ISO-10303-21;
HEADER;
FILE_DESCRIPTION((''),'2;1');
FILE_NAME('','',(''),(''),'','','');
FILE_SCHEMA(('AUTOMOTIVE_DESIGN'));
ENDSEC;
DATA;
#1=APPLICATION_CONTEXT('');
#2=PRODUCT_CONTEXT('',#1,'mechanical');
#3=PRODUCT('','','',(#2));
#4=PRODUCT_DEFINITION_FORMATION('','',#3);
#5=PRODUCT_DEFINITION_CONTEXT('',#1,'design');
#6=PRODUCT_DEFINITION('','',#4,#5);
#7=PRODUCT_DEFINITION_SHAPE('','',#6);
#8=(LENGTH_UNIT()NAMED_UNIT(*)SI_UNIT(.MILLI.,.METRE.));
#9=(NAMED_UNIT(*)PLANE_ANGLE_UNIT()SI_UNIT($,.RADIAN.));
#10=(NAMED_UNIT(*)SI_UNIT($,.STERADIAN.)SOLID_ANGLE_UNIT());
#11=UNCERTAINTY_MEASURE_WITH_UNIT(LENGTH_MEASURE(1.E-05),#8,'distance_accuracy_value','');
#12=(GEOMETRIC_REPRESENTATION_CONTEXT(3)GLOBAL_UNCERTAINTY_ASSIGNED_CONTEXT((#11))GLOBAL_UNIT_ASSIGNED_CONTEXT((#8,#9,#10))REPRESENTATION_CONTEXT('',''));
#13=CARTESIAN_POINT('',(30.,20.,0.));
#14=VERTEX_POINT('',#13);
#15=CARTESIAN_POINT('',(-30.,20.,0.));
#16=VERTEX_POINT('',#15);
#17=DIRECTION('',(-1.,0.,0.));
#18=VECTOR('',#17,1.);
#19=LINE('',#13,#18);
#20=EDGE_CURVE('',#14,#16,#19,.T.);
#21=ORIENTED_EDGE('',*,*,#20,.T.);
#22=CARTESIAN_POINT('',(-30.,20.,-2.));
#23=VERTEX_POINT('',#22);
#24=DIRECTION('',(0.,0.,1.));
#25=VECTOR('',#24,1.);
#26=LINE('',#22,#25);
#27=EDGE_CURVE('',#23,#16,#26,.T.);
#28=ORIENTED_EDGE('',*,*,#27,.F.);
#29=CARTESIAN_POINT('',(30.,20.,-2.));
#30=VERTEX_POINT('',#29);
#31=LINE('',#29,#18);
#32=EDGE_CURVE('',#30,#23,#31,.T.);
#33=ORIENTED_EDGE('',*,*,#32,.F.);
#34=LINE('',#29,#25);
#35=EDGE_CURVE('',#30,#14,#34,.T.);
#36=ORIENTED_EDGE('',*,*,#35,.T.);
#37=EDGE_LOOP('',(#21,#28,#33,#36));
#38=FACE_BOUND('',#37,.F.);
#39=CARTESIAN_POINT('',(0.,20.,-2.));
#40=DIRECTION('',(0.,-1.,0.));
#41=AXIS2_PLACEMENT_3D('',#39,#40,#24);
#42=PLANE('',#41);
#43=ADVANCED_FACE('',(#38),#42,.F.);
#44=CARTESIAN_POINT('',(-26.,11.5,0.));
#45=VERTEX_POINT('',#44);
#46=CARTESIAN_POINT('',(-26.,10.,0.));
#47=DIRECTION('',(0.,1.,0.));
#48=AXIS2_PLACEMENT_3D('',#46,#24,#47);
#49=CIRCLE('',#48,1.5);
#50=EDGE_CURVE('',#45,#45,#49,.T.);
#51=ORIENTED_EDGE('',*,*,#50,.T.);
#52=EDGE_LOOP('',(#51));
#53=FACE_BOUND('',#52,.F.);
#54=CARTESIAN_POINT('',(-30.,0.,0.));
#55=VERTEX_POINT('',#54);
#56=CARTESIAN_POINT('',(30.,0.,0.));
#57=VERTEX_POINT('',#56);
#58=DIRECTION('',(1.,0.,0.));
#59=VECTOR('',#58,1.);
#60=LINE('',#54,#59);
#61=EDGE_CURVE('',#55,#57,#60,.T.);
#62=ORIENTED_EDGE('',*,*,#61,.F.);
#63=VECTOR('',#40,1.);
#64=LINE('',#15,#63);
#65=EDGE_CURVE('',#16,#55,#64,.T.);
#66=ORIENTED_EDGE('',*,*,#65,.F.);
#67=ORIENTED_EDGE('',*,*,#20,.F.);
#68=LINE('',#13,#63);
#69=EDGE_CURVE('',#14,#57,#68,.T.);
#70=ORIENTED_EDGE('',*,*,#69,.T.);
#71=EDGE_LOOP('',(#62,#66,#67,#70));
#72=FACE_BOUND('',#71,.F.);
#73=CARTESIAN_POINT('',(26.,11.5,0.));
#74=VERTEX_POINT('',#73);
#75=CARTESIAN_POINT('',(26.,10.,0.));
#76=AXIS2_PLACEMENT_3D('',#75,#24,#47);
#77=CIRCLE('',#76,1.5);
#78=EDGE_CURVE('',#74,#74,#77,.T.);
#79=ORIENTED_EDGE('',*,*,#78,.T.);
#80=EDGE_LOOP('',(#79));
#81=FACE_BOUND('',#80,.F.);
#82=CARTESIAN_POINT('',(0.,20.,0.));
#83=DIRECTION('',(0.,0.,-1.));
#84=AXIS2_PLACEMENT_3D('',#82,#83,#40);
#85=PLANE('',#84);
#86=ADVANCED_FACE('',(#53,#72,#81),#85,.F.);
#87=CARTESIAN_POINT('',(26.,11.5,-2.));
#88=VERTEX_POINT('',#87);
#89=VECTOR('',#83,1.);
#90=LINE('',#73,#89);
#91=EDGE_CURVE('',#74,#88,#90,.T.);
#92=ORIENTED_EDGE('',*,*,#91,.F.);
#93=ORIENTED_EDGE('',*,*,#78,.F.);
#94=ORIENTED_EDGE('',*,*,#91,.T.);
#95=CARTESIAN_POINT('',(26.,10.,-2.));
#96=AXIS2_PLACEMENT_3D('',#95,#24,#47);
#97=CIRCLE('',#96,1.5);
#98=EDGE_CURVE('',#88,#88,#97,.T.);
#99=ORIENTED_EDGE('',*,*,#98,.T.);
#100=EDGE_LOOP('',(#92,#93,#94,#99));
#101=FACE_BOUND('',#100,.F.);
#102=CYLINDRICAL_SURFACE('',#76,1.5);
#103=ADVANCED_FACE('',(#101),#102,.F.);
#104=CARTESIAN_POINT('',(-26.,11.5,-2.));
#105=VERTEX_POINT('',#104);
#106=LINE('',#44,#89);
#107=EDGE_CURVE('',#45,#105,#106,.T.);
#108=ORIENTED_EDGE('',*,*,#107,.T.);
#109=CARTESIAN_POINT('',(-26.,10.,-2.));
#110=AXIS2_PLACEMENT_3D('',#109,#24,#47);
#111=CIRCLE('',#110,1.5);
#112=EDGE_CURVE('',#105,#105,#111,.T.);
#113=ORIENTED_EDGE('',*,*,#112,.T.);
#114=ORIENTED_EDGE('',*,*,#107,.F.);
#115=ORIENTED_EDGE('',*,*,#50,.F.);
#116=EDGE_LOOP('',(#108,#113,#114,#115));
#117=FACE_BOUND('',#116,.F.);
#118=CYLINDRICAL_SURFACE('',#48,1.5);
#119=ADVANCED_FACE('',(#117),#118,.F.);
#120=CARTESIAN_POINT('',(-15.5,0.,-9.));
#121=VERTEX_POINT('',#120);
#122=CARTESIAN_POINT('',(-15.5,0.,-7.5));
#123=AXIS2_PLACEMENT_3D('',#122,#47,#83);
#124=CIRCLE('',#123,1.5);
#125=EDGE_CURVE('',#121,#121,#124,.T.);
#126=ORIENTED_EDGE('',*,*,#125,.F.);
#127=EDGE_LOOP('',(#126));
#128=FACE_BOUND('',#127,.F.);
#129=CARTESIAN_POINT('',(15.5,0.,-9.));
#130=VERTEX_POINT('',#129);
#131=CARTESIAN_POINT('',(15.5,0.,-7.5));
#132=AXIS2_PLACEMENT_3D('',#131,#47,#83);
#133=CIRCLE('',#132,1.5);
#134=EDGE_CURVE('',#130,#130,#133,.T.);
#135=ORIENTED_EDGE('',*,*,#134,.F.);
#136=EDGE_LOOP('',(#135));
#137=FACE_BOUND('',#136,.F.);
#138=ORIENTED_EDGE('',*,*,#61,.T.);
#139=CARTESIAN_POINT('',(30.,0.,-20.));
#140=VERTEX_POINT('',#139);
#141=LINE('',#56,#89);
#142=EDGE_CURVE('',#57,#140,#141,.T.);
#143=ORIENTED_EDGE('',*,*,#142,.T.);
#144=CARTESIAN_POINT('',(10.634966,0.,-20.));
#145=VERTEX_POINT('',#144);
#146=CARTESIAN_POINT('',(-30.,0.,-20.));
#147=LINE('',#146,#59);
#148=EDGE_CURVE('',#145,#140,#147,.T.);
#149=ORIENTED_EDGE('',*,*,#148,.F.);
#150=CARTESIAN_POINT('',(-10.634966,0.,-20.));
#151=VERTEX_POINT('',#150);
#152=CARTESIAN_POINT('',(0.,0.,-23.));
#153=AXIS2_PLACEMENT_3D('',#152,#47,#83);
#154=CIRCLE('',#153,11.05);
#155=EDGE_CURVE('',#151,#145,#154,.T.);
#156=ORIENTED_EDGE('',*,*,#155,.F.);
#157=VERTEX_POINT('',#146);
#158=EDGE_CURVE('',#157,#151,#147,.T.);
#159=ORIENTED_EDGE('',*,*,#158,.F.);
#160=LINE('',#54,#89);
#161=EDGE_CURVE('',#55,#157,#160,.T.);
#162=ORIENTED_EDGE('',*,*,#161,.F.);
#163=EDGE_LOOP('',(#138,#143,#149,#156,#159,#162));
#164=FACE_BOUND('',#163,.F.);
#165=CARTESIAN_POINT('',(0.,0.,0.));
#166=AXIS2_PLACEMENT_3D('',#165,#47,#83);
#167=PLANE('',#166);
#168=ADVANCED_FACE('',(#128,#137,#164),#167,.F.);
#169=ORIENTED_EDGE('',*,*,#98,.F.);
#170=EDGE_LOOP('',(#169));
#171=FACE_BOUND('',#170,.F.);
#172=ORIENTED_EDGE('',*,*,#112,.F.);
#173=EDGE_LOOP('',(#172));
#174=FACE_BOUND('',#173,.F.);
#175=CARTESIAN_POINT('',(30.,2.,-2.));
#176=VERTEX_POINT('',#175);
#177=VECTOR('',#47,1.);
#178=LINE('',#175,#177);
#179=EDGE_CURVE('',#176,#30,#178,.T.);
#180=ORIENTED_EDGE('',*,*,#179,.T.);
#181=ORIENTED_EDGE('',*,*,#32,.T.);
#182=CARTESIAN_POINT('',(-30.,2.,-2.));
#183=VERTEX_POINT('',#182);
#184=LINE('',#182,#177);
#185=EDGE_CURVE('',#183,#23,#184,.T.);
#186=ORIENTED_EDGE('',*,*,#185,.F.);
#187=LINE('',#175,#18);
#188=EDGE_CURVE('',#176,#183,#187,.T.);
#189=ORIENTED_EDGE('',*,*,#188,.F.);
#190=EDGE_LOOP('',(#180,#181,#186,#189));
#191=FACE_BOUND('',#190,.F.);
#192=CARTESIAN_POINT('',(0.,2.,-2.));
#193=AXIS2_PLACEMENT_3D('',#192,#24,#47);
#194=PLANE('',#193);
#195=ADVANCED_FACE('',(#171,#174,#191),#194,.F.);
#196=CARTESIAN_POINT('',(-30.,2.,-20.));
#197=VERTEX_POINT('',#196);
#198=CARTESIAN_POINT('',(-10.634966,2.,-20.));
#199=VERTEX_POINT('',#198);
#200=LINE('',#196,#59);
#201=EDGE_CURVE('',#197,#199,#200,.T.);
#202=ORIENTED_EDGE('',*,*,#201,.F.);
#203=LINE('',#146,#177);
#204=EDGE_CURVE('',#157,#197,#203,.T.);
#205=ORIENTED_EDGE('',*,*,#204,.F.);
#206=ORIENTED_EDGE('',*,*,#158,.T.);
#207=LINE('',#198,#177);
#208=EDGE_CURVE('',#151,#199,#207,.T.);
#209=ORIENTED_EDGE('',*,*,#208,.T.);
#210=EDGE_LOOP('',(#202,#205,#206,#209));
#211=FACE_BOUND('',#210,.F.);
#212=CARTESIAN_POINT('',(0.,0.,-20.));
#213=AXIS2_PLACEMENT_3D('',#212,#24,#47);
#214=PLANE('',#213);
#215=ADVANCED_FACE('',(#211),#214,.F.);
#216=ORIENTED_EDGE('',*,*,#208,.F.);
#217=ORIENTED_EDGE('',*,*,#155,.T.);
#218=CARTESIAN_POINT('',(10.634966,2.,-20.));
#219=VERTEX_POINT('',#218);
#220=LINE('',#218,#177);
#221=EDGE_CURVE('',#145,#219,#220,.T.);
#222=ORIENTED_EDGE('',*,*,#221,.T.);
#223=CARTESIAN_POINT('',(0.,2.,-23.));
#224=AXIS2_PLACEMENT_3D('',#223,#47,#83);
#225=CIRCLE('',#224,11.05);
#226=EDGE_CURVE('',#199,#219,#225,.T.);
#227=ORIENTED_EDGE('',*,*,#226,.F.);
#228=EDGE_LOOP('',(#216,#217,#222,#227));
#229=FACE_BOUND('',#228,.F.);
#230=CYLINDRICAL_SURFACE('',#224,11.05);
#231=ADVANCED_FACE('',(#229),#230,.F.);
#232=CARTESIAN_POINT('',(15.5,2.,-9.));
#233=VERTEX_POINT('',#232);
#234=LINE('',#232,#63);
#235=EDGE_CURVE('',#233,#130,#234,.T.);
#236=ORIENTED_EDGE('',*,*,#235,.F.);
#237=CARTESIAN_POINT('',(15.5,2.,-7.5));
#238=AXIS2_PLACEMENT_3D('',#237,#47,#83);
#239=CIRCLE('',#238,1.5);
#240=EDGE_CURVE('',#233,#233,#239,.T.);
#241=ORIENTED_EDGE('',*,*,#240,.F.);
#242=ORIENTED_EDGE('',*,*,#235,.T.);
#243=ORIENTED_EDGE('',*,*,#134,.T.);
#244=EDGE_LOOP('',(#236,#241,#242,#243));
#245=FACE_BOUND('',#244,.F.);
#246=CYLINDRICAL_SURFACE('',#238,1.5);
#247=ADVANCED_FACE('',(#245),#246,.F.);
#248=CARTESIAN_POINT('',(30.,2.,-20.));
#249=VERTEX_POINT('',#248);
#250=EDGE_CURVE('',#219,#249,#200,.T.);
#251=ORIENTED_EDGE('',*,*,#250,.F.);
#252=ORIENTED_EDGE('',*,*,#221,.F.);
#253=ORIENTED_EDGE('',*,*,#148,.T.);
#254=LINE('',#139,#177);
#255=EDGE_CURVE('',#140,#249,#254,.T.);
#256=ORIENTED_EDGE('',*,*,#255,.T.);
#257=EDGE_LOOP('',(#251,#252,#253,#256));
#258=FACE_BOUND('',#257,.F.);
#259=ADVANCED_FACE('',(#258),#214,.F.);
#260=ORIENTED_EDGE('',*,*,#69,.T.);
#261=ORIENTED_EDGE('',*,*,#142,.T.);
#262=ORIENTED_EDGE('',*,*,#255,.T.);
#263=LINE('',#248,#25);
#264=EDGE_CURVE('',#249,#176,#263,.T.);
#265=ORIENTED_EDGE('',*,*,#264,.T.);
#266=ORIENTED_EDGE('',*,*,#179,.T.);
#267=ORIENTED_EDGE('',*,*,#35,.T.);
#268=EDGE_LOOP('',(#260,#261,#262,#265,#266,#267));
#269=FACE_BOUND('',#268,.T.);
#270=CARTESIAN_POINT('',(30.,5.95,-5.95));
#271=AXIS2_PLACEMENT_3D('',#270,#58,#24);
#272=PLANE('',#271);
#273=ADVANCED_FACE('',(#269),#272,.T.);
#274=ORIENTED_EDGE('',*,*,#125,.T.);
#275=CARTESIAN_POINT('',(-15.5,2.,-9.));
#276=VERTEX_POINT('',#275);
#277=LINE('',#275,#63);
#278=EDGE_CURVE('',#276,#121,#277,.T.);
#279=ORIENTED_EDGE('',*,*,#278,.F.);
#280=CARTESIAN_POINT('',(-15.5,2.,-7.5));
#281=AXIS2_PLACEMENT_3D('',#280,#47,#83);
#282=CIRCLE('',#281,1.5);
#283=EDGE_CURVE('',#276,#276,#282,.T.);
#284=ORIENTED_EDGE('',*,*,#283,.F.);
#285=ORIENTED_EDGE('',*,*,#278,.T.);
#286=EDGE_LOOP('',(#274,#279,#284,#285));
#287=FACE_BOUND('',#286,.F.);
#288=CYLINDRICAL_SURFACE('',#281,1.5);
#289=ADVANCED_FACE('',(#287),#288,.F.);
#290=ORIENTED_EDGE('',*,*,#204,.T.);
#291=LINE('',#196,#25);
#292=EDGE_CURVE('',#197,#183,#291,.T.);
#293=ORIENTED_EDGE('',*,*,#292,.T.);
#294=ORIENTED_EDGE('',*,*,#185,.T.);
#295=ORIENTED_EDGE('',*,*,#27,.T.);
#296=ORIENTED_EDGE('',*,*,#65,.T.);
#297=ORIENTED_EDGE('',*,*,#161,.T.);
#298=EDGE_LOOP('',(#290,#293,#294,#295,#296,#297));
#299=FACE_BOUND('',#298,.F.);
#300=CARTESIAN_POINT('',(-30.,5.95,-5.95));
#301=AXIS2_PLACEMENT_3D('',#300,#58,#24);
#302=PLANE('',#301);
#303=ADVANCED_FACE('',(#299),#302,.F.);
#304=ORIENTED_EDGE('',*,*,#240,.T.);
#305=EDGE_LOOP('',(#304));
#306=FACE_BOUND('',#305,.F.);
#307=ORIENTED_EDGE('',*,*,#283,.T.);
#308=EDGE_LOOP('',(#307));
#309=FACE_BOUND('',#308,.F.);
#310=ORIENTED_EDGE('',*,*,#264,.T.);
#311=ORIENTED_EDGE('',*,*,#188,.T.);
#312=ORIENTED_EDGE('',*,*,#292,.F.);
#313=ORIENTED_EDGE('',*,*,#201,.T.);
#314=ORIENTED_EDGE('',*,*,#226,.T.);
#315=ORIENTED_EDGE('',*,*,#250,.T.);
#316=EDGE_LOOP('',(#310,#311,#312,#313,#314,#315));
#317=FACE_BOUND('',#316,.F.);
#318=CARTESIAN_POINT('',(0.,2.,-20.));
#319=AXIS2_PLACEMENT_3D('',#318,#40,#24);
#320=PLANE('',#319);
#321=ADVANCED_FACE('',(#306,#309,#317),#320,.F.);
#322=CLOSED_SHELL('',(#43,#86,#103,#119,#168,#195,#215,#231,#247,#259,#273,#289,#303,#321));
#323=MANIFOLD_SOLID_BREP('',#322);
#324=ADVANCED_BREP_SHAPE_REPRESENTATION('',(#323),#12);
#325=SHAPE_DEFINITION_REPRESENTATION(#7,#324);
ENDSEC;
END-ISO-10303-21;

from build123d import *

# Parameters (mm, degrees)
PAD_DEPTH                = 30
PAD_DEPTH_BACK           = 30
SKETCH001_R              = 11.05
SKETCH001_R_2            = 1.5
POCKET_DEPTH             = 5.54
SKETCH002_R              = 1.5
POCKET001_DEPTH          = 20.001
CLONE001_PITCH_ANGLE     = 90
CLONE001_PLACEMENT_ANGLE = -90


with BuildPart() as part:
    # Sketch → Pad (new body, two sides)
    with BuildSketch(Plane.XZ) as pad_sk:
        Polygon((-10, -20), (-10, 0), (10, 0), (10, -2), (-8, -2), (-8, -20), align=None)
    extrude(amount=PAD_DEPTH)
    extrude(pad_sk.sketch, amount=-PAD_DEPTH_BACK)

    # Sketch001 (on Face4 of Pad) → Pocket (cut)
    with BuildSketch(Plane(origin=(13, 0, -2), x_dir=(1, 0, 0), z_dir=(0, 0, -1))):
        Circle(SKETCH001_R)
        with Locations((-15.5, 15.5)):
            Circle(SKETCH001_R_2)
        with Locations((15.5, 15.5)):
            Circle(SKETCH001_R_2)
        with Locations((15.5, -15.5)):
            Circle(SKETCH001_R_2)
        with Locations((-15.5, -15.5)):
            Circle(SKETCH001_R_2)
    extrude(amount=-POCKET_DEPTH, mode=Mode.SUBTRACT)

    # Sketch002 (on Face1 of Pocket) → Pocket001 (cut, through all)
    with BuildSketch(Plane(origin=(-10, 0, 0), x_dir=(0, 0, -1), z_dir=(-1, 0, 0))):
        with Locations((10, 26)):
            Circle(SKETCH002_R)
        with Locations((10, -26)):
            Circle(SKETCH002_R)
    extrude(amount=-POCKET001_DEPTH, mode=Mode.SUBTRACT)


with BuildPart() as part_1:
    # Clone001 pitch: moved
    add(part.part.rotate(Axis((0, 0, 0), (0, 1, 0)), CLONE001_PITCH_ANGLE))


with BuildPart() as part_2:
    # Clone001 placement: moved
    add(part_1.part.moved(Location((0, 0, -10))).rotate(Axis((0, 0, -10), (0, 0, 1)), CLONE001_PLACEMENT_ANGLE))


solid = part_2.part
